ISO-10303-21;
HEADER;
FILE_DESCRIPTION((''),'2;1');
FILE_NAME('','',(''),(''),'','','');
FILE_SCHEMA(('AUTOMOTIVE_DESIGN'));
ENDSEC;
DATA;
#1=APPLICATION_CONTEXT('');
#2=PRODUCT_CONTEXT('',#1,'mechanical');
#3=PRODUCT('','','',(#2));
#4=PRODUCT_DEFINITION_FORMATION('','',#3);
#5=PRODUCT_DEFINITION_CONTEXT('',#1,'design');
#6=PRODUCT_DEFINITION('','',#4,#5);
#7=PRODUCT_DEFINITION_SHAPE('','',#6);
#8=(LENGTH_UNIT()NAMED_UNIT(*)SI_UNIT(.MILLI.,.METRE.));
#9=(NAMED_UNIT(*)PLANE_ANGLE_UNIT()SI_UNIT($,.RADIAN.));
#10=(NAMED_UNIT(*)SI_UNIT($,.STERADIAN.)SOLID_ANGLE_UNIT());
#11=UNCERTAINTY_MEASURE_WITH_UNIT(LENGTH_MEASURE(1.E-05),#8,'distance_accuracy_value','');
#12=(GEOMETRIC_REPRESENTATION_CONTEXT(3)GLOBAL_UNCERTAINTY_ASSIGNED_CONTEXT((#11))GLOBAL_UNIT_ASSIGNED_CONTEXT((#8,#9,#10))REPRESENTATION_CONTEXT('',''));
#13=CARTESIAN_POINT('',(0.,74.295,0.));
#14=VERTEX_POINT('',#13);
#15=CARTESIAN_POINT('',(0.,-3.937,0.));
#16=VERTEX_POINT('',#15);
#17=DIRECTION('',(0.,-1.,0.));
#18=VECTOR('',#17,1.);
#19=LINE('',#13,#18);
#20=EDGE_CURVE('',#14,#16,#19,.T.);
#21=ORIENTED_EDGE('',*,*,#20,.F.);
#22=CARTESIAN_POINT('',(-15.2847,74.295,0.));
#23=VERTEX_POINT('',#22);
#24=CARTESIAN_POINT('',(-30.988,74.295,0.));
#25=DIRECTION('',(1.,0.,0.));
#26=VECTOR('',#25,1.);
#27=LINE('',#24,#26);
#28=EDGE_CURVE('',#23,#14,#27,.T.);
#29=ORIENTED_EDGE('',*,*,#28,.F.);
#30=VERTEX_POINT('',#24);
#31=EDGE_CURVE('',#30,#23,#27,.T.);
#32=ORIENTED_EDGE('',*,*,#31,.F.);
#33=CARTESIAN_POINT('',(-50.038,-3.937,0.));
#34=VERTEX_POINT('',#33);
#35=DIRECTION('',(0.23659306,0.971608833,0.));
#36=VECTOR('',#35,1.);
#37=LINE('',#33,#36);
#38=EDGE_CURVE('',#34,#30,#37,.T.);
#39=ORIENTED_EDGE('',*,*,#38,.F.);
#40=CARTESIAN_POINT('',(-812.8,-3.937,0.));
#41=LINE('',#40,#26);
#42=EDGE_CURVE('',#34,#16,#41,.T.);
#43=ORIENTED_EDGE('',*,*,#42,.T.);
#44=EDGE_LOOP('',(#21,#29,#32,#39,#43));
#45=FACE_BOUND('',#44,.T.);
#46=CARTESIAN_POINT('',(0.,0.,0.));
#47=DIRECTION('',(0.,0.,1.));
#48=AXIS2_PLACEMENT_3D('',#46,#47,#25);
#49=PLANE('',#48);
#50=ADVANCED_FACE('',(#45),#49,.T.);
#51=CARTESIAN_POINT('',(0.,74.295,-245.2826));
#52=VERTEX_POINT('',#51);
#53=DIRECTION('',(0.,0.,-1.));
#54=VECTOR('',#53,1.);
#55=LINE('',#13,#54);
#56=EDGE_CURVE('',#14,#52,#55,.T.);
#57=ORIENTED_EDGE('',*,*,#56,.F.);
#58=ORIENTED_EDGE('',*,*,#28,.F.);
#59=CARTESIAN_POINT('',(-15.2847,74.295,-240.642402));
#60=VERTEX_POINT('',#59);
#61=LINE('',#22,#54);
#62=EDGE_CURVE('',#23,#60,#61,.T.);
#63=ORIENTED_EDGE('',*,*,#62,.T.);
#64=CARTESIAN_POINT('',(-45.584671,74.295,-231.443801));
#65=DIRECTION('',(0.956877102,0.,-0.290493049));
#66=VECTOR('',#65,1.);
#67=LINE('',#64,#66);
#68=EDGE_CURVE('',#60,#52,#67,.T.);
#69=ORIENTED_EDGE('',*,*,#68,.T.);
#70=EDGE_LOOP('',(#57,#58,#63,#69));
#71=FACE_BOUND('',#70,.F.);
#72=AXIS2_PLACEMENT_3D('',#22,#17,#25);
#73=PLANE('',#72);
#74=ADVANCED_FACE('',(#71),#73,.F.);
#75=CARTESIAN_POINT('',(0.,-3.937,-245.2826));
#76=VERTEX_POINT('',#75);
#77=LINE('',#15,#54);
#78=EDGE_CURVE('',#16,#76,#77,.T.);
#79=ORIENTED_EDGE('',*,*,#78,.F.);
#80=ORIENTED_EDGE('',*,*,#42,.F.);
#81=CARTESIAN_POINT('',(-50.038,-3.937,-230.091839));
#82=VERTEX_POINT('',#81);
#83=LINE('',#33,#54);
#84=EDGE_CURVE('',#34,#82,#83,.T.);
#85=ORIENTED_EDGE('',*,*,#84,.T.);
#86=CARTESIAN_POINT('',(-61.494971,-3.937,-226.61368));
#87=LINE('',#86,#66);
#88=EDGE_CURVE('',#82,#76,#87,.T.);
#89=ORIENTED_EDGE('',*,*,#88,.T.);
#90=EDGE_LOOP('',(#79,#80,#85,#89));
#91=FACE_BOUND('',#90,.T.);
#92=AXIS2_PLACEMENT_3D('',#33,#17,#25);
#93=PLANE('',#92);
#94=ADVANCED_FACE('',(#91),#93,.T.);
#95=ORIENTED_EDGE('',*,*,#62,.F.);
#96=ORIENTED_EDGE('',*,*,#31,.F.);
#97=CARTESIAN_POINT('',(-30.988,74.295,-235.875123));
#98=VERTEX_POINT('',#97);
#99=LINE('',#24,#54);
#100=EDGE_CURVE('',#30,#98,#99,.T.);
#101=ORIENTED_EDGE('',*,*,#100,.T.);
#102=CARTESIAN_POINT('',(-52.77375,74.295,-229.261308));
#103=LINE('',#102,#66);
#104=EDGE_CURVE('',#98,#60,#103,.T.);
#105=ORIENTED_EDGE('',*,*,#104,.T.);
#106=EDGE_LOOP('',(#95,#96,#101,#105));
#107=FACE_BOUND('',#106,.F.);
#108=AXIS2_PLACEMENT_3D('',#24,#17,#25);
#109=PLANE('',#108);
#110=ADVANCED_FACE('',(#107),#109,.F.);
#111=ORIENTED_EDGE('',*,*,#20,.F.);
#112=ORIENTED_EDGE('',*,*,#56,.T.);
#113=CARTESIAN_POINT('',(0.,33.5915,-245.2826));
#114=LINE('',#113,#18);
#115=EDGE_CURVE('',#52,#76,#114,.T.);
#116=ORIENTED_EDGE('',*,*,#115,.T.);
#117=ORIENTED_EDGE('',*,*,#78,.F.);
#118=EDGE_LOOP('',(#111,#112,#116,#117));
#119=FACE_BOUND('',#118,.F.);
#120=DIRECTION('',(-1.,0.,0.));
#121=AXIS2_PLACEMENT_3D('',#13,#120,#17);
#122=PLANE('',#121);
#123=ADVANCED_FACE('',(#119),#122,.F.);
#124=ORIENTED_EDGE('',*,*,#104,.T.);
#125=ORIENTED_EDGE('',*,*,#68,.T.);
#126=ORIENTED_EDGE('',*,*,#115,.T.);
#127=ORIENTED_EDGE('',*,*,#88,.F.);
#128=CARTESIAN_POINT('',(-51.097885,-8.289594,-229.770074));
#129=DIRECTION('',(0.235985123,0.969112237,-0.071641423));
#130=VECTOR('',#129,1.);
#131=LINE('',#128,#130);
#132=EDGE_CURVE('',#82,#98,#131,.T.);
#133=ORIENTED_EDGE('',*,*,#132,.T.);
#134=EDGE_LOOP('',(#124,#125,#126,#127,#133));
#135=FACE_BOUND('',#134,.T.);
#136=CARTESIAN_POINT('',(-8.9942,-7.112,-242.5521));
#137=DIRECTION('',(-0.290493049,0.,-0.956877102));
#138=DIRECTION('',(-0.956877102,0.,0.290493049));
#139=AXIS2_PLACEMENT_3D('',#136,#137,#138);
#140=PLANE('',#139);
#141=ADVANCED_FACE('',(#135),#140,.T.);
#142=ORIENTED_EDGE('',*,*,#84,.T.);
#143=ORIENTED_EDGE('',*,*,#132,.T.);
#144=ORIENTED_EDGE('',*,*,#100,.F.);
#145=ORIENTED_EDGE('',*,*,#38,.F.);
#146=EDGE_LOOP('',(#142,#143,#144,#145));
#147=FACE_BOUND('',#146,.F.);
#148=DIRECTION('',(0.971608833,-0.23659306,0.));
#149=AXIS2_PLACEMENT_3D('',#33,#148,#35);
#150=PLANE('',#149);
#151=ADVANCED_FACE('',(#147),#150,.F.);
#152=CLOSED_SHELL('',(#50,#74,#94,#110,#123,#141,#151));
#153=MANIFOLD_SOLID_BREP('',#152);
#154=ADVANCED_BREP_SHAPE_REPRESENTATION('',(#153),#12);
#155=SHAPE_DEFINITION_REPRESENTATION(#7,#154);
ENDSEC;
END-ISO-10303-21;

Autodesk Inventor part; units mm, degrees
ref_plane "YZ Plane" through (0, 0, 0) normal (1, 0, 0) x (0, 1, 0)
ref_plane "XZ Plane" through (0, 0, 0) normal (0, 1, 0) x (-1, 0, 0)
sketch "Sketch1" plane through (0, 0, 0) normal (0, 0, 1) x (1, 0, 0)
  line L0 (-812.8, -3.937) -> (0, -3.937) projected
  line L1 (-30.988, 74.295) -> (-15.2847, 74.295) projected
  line L2 (0, -3.937) -> (-50.038, -3.937)
  line L3 (-50.038, -3.937) -> (-30.988, 74.295)
  line L4 (-30.988, 74.295) -> (0, 74.295)
  line L5 (0, 74.295) -> (0, -3.937)
  line L6 (-50.038, -7.112) -> (-50.038, -3.937) projected
  point P0 (0, 0)
ref_plane "Work Plane1" through (-8.9942, -7.112, -242.5521) normal (-0.2905, 0, -0.9569) x (0, 1, 0)
extrude "Extrusion1" add sketch "Sketch1" against normal up to surface surface through (-8.9942, -7.112, -242.5521) normal (-0.2905, 0, -0.9569)
properties part number "FrontBumperFillA"
